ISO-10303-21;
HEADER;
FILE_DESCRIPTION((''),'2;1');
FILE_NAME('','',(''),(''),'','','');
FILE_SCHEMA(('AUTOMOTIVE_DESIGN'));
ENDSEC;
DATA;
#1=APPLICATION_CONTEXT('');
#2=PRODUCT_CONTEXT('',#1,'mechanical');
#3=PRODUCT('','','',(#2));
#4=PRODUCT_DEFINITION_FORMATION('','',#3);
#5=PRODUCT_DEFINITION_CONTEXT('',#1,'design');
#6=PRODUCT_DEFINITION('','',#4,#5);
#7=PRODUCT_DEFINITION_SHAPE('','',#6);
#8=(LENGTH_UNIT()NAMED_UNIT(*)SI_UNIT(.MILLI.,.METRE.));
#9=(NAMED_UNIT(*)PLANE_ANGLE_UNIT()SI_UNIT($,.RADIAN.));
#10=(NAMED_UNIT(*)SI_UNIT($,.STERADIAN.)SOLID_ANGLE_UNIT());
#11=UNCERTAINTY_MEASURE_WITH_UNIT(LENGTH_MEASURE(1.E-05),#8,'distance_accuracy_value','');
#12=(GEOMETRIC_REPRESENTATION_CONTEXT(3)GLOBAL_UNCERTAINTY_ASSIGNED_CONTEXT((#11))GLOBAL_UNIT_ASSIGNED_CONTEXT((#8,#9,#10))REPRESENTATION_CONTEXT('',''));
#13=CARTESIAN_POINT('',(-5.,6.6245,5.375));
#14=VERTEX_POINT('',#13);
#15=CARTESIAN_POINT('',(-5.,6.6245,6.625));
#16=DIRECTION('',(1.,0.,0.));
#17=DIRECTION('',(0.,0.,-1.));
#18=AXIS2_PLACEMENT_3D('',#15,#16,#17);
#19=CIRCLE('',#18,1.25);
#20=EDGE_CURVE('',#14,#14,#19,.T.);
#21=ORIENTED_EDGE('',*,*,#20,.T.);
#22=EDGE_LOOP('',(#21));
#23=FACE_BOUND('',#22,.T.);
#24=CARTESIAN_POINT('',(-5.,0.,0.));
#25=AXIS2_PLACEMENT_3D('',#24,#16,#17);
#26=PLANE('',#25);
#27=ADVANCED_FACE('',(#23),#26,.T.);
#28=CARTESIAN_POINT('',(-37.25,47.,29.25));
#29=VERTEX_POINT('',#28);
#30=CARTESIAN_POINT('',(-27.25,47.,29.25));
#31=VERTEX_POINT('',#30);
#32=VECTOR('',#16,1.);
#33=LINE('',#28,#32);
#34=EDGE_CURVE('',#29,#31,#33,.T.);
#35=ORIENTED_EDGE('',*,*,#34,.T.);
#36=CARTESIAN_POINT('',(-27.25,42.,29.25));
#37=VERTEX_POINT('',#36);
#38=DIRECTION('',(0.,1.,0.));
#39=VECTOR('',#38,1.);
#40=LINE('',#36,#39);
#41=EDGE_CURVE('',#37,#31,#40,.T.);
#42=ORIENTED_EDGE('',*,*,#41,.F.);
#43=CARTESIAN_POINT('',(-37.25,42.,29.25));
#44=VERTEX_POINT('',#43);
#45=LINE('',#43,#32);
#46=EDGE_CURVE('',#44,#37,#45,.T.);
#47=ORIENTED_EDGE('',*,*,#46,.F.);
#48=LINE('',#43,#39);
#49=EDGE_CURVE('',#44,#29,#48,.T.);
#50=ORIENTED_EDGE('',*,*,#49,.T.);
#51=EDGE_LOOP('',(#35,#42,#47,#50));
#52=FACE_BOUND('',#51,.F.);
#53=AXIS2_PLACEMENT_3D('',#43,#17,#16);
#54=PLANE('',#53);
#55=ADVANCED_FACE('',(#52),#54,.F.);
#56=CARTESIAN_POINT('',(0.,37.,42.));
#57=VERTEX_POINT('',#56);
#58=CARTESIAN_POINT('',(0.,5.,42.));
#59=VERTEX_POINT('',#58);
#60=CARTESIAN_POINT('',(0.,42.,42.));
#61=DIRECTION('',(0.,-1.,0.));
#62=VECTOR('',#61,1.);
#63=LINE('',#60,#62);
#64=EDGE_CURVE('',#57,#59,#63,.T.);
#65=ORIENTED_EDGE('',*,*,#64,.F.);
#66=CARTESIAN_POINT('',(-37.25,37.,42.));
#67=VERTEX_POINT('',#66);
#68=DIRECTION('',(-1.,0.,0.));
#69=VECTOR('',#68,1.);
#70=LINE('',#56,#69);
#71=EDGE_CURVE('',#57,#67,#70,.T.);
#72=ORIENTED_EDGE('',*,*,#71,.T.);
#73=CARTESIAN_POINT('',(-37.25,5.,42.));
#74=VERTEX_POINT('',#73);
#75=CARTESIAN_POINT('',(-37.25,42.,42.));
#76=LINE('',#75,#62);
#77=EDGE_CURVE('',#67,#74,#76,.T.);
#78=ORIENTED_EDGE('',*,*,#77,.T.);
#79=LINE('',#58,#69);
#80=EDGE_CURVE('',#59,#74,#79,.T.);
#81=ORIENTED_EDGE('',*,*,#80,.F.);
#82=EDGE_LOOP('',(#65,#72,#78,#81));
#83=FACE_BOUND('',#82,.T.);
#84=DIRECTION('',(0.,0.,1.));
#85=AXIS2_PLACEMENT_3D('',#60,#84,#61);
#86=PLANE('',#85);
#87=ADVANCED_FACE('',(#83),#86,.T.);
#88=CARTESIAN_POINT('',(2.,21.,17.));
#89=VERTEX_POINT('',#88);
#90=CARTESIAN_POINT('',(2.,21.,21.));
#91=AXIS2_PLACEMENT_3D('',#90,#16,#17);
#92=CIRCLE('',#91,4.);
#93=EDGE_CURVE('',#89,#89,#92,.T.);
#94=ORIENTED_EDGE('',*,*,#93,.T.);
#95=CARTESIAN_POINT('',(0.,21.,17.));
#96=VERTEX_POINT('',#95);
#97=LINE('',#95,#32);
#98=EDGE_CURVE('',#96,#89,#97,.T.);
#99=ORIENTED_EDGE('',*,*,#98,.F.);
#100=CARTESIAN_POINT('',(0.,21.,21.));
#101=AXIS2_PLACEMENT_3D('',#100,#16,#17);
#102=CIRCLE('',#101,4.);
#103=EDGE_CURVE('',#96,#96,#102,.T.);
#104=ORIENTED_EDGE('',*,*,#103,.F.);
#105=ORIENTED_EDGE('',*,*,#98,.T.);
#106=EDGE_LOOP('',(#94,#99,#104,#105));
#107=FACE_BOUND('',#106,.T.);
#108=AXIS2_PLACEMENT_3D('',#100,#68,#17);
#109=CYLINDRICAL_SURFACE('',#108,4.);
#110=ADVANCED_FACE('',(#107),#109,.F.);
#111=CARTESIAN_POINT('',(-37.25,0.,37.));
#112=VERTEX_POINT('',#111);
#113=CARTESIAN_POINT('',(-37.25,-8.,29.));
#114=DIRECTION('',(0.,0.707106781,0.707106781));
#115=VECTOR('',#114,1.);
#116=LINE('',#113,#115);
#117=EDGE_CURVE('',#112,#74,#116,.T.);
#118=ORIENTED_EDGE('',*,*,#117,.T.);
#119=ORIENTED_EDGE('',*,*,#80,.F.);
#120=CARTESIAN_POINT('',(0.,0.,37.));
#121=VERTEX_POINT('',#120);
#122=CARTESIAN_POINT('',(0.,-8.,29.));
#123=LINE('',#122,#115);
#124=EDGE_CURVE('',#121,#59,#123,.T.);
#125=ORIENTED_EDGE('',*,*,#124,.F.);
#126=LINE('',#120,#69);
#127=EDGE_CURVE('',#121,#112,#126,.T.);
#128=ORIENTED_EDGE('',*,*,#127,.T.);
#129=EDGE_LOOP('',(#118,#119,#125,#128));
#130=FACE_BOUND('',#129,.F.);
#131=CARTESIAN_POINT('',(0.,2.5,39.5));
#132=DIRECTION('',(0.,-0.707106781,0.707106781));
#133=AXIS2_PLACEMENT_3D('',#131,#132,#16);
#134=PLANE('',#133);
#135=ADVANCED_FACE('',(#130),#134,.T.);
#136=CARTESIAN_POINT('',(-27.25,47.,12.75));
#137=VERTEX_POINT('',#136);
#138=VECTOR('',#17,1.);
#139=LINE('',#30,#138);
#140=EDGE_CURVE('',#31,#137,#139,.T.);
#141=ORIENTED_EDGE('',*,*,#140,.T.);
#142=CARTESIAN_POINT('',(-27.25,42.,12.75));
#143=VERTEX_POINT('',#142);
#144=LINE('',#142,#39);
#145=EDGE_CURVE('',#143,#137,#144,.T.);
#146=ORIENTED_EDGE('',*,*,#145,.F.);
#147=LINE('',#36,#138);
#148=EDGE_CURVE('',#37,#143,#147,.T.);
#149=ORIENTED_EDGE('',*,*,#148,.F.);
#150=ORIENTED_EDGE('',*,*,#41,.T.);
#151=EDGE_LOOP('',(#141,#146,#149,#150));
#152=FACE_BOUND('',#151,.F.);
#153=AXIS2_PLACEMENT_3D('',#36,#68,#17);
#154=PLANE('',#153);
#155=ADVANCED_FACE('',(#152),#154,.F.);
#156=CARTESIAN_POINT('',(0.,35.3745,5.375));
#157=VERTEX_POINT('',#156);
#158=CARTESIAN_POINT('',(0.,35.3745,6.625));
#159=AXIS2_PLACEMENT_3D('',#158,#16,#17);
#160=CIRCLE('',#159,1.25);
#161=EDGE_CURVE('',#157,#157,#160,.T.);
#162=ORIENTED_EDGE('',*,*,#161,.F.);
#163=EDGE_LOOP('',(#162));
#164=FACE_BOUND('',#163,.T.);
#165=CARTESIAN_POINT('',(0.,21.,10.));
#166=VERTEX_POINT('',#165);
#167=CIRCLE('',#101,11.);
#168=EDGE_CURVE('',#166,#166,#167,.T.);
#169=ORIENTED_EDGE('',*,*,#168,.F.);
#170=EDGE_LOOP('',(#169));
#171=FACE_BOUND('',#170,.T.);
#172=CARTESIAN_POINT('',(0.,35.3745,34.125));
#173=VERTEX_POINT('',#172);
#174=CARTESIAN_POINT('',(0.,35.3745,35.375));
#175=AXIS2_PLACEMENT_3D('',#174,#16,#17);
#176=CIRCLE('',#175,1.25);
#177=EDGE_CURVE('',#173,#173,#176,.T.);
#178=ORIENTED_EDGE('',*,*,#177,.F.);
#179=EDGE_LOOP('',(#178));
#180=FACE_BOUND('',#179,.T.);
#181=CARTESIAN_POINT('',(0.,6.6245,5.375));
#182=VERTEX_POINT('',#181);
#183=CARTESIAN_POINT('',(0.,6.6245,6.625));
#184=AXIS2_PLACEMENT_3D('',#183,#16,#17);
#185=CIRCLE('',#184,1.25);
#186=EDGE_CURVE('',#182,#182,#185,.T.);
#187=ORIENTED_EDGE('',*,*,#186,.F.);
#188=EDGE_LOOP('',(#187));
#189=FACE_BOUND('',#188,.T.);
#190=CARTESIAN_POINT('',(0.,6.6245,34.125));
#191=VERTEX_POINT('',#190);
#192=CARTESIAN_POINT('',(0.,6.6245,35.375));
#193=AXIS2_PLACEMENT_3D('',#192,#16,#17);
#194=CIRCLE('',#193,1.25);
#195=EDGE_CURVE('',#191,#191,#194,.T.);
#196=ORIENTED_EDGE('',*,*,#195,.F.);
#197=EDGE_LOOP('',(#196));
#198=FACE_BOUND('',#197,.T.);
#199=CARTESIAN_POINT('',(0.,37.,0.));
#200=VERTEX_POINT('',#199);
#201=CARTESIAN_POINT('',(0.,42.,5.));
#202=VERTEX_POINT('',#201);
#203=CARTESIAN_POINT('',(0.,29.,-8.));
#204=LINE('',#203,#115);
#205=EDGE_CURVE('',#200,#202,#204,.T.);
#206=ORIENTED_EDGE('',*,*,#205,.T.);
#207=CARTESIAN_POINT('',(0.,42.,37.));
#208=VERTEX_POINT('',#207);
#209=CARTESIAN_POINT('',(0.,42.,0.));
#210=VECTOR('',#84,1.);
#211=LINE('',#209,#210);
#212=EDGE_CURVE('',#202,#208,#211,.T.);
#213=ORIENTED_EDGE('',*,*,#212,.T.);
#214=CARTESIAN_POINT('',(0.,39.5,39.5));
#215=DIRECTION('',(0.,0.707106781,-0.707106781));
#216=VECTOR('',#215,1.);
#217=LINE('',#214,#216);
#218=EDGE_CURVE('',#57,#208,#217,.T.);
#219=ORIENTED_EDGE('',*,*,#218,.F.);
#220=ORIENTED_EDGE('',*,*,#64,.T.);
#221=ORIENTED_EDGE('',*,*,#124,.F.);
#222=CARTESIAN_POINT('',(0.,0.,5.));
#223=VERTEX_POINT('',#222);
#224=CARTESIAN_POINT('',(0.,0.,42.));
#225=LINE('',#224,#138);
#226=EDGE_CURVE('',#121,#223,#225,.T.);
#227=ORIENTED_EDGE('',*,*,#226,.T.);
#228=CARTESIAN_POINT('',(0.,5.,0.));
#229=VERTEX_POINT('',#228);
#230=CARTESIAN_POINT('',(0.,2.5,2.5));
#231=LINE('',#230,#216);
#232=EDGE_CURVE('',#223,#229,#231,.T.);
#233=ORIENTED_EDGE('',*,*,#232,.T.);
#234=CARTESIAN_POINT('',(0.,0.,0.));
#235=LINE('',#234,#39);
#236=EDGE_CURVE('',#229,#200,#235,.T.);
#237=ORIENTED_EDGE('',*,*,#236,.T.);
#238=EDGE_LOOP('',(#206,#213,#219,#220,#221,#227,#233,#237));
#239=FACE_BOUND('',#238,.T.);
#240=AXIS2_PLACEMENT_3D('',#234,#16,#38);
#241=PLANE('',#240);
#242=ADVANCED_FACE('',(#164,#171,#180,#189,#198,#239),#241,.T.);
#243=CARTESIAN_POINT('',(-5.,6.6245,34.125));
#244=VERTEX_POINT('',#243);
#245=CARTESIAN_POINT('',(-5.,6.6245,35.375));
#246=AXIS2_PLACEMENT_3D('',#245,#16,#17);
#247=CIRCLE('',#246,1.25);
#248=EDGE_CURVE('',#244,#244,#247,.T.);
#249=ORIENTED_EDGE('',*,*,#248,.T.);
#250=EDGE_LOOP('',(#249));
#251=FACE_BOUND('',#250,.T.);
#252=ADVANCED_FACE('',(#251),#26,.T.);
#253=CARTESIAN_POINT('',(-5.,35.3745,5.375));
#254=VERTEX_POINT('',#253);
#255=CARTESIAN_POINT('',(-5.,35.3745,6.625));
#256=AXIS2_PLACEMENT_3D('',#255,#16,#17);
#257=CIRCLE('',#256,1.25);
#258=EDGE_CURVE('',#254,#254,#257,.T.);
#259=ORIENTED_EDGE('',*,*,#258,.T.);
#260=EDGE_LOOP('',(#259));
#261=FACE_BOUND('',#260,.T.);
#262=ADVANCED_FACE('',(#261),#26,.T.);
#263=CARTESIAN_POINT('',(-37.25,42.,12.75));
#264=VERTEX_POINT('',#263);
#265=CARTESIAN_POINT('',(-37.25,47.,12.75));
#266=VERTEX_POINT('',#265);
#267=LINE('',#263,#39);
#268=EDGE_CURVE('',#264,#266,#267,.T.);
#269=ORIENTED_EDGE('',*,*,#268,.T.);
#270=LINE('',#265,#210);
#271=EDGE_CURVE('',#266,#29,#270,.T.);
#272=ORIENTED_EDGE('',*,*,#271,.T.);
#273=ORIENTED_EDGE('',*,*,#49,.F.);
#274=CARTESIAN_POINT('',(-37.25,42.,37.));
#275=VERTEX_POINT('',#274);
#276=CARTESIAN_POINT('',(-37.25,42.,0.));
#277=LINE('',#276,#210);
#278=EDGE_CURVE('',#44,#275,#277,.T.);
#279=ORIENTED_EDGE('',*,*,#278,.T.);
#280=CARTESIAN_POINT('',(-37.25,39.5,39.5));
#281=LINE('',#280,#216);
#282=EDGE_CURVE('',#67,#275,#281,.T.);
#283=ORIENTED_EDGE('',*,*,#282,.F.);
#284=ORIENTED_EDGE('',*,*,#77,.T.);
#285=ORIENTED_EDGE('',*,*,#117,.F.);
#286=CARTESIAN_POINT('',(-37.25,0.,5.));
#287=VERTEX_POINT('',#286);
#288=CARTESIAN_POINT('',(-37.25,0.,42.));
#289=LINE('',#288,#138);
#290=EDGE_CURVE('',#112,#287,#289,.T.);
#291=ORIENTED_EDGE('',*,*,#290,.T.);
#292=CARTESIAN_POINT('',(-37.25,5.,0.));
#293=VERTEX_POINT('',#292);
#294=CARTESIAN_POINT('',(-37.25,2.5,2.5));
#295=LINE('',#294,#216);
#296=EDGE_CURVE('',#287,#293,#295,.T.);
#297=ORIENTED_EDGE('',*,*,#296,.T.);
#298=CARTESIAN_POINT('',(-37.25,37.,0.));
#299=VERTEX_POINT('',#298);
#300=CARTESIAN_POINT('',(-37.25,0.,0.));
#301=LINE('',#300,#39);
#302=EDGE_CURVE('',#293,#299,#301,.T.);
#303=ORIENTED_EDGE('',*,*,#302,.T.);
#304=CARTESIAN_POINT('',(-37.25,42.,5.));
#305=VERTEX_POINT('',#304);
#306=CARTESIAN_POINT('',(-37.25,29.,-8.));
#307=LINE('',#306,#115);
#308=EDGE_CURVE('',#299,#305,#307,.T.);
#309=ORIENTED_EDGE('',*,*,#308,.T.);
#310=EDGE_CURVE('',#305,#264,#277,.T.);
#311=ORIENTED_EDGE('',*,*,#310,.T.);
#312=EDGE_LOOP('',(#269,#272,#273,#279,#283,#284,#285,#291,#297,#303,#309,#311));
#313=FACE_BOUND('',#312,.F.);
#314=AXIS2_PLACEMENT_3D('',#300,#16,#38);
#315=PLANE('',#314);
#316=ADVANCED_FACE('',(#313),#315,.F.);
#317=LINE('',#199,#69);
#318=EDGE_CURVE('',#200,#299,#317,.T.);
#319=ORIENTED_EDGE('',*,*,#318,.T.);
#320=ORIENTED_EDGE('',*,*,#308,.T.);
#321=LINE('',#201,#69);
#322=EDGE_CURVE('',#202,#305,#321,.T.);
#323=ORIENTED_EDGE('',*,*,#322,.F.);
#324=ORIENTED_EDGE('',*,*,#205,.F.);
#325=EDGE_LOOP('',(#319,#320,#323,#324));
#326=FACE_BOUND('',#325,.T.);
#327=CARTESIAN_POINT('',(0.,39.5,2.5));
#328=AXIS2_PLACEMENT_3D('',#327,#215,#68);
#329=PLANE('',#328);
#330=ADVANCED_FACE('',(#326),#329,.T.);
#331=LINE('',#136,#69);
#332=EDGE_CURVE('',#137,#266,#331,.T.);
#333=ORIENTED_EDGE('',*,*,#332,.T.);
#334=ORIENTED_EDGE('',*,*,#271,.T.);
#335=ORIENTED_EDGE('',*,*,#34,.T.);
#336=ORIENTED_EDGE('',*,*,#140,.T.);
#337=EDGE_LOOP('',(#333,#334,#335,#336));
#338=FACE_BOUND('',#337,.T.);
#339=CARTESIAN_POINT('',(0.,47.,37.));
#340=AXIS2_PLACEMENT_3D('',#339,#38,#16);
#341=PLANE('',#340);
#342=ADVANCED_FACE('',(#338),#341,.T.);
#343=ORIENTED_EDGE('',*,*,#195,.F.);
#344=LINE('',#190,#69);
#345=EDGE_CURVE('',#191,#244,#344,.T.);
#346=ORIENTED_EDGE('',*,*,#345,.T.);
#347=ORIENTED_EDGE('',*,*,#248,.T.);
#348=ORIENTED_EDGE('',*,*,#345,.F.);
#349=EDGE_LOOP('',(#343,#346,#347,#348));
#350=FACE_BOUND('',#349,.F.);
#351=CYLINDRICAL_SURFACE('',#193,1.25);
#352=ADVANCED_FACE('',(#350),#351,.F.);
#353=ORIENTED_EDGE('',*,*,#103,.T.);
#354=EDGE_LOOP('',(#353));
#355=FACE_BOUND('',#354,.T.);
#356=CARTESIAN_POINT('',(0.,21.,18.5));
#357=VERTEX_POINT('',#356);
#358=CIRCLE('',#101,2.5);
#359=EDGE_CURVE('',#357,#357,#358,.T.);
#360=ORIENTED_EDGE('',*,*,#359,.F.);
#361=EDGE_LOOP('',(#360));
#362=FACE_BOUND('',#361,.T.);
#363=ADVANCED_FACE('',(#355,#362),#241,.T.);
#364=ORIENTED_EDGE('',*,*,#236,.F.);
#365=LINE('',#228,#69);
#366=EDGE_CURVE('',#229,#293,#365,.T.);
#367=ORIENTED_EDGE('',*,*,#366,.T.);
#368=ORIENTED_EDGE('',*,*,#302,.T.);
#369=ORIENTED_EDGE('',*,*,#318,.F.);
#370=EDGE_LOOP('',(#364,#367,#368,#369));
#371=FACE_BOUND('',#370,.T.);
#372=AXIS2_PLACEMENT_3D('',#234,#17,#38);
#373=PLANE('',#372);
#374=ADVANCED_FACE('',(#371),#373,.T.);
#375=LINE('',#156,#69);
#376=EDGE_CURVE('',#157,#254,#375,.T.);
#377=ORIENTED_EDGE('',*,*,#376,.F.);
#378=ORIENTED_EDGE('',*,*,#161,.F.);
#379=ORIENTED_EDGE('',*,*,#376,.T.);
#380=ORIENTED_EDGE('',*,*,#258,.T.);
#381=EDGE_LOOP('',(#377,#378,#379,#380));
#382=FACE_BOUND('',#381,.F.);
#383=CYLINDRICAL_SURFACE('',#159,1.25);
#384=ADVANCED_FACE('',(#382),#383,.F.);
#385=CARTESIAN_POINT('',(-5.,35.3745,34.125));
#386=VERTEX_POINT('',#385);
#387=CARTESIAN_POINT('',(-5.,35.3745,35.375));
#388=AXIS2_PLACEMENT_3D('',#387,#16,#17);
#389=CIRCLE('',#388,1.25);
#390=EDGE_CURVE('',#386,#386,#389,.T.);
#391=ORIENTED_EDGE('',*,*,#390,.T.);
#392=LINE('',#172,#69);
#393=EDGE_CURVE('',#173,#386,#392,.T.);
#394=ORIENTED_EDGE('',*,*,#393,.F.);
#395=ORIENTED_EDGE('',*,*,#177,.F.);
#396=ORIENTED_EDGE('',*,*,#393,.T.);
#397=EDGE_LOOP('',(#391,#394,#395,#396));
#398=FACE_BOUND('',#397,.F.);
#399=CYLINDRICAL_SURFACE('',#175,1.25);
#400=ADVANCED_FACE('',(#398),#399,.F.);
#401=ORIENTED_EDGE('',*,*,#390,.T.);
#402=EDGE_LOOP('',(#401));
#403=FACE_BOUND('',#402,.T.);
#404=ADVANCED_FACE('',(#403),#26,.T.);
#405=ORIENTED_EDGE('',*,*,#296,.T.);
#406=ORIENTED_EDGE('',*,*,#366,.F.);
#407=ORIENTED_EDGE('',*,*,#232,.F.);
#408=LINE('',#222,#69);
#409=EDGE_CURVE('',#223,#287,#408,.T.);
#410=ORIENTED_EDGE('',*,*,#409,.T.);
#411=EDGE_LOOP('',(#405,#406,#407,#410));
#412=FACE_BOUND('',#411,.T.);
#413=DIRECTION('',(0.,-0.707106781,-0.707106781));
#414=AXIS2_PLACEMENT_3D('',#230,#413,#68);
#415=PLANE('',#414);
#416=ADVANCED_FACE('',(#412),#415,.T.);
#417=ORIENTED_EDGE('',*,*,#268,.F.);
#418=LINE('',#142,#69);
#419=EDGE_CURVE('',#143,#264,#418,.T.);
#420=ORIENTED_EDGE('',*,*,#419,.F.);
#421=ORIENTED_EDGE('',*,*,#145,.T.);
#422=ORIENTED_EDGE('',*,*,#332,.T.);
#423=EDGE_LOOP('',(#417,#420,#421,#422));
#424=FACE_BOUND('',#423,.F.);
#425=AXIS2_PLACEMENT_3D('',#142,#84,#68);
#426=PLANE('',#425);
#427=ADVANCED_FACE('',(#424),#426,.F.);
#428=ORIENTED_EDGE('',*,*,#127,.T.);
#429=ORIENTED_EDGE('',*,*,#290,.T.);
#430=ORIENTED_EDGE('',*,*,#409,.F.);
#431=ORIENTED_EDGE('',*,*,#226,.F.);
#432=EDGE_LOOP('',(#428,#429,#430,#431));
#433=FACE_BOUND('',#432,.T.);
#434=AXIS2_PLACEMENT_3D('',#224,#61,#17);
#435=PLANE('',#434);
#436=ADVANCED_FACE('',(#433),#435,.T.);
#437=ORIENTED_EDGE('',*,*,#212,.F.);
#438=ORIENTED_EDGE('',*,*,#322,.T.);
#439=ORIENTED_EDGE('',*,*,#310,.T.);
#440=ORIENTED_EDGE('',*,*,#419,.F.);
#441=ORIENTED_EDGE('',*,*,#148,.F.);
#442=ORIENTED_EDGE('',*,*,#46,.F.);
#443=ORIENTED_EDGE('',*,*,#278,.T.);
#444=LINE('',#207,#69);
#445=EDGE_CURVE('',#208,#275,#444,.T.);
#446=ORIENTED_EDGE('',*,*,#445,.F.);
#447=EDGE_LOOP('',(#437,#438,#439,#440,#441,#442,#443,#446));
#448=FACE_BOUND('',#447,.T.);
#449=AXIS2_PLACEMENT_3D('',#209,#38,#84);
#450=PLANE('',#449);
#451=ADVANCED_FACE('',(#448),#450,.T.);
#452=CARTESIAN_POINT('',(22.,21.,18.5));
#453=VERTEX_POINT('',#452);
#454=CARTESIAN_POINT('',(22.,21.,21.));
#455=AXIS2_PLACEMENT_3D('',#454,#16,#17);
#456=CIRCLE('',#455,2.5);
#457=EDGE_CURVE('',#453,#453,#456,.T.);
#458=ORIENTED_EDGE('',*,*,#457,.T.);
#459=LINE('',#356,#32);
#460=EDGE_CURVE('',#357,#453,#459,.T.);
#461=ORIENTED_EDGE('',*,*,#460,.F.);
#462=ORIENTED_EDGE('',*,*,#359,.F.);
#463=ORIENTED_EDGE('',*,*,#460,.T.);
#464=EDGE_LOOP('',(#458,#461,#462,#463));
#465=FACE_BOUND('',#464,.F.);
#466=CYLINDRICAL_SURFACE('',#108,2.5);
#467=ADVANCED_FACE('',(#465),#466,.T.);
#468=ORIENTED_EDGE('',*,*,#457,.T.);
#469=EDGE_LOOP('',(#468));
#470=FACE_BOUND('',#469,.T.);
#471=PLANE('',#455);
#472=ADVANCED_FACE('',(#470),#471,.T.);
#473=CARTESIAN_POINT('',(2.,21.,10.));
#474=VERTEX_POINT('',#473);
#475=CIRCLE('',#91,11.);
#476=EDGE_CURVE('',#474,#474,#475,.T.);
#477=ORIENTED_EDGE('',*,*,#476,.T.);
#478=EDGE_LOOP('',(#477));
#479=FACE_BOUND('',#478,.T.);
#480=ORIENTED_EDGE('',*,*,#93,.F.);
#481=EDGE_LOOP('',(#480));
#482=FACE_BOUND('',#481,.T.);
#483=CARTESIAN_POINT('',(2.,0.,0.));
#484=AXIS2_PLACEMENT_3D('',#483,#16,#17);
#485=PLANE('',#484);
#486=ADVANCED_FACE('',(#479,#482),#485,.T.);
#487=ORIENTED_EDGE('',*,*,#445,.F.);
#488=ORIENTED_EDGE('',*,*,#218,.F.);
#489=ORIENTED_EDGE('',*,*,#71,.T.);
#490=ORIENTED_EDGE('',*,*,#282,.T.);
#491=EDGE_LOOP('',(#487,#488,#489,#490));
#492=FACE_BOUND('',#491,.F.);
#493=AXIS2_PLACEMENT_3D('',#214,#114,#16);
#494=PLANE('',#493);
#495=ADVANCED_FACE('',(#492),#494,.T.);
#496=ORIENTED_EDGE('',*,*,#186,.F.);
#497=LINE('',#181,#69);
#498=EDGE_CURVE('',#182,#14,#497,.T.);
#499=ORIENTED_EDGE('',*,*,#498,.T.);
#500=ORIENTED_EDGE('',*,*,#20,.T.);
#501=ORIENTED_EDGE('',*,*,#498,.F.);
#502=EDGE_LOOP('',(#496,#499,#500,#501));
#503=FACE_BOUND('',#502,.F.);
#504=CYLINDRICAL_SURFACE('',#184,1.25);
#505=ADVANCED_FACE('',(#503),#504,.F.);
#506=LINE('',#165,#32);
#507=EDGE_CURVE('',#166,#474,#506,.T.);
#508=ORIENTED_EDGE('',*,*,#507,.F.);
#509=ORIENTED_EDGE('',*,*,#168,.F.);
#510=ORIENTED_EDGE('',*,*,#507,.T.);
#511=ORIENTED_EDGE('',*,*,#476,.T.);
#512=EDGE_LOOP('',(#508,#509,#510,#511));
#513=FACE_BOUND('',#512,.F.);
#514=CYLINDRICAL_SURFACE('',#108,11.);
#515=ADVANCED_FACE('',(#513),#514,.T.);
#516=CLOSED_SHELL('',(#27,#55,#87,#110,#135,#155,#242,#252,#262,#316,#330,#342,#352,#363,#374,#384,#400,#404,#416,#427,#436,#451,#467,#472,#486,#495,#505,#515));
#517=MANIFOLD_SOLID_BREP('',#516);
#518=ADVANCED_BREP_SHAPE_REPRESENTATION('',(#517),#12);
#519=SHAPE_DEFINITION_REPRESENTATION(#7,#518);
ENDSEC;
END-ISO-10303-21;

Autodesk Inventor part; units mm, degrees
ref_plane "YZ Plane" through (0, 0, 0) normal (1, 0, 0) x (0, 1, 0)
ref_plane "XZ Plane" through (0, 0, 0) normal (0, 1, 0) x (-1, 0, 0)
ref_plane "XY Plane" through (0, 0, 0) normal (0, 0, 1) x (1, 0, 0)
sketch "Sketch1" plane through (0, 0, 0) normal (1, 0, 0) x (0, 1, 0)
  line L0 (0, 0) -> (42, 0)
  line L1 (42, 0) -> (42, 42)
  line L2 (42, 42) -> (0, 42)
  line L3 (0, 42) -> (0, 0)
  dimension "d0" = 42
  dimension "d1" = 42
extrude "Extrusion1" add sketch "Sketch1" against normal blind 37.25
sketch "Sketch2" plane through (0, 0, 0) normal (1, 0, 0) x (0, 0, -1)
  line L0 (-42, 42) -> (0, 42) construction
  line L1 (-21, 42) -> (-21, 0) construction
  line L2 (0, 0) -> (-42, 0) construction
  circle A0 centre (-21, 21) radius 11
  circle A1 centre (-21, 21) radius 4
  dimension "d4" = 22
  dimension "d5" = 8
extrude "Extrusion2" add sketch "Sketch2" along normal blind 2
sketch "Sketch3" plane through (0, 21, 21) normal (1, 0, 0) x (0, 0, -1)
  circle A0 centre (0, 0) radius 4 projected
  circle A1 centre (0, 0) radius 2.5
  point P0 (21, -21)
  dimension "d8" = 5
extrude "Extrusion3" add sketch "Sketch3" along normal blind 22 contours A1
chamfer "Chamfer1" distance 5 angle 45 4 edges at (-18.625, 42, 42) (-18.625, 42, 0) (-18.625, 0, 42) (-18.625, 0, 0)
sketch "Sketch4" plane through (0, 0, 0) normal (1, 0, 0) x (0, 0, -1)
  line L0 (-35.375, 35.3745) -> (-6.625, 35.3745) construction
  line L1 (-6.625, 35.3745) -> (-6.625, 6.6245) construction
  line L2 (-6.625, 6.6245) -> (-35.375, 6.6245) construction
  line L3 (-35.375, 6.6245) -> (-35.375, 35.3745) construction
  line L4 (-42, 37) -> (-42, 5) construction
  line L5 (-5, 42) -> (-37, 42) construction
  circle A0 centre (-6.625, 35.3745) radius 1.25
  circle A1 centre (-35.375, 35.3745) radius 1.25
  circle A2 centre (-35.375, 6.6245) radius 1.25
  circle A3 centre (-6.625, 6.6245) radius 1.25
  point P0 (0, 0)
  dimension "d14" = 28.75
  dimension "d15" = 28.75
  dimension "d16" = 6.625
  dimension "d17" = 6.6255
  dimension "d18" = 2.5
  dimension "d19" = 2.5
  dimension "d20" = 2.5
  dimension "d21" = 2.5
extrude "Extrusion4" cut sketch "Sketch4" against normal blind 5
sketch "Sketch8" plane through (0, 42, 37) normal (0, 1, 0) x (1, 0, 0)
  line L0 (-37.25, 0) -> (-37.25, 32) construction
  line L1 (-37.25, 16) -> (0, 16) construction
  line L2 (0, 18.5) -> (0, 13.5) construction
  line L3 (-37.25, 7.75) -> (-27.25, 7.75)
  line L4 (-27.25, 7.75) -> (-27.25, 24.25)
  line L5 (-27.25, 24.25) -> (-37.25, 24.25)
  line L6 (-37.25, 24.25) -> (-37.25, 7.75)
  point P0 (0, 37)
  dimension "d44" = 10
  dimension "d45" = 16.5
  dimension "d46" = 8.25
extrude "Extrusion8" add sketch "Sketch8" along normal blind 5
equation "\"d46\" = 0.5 * d45"
properties part number "Nema 17 Stepper Motor"
